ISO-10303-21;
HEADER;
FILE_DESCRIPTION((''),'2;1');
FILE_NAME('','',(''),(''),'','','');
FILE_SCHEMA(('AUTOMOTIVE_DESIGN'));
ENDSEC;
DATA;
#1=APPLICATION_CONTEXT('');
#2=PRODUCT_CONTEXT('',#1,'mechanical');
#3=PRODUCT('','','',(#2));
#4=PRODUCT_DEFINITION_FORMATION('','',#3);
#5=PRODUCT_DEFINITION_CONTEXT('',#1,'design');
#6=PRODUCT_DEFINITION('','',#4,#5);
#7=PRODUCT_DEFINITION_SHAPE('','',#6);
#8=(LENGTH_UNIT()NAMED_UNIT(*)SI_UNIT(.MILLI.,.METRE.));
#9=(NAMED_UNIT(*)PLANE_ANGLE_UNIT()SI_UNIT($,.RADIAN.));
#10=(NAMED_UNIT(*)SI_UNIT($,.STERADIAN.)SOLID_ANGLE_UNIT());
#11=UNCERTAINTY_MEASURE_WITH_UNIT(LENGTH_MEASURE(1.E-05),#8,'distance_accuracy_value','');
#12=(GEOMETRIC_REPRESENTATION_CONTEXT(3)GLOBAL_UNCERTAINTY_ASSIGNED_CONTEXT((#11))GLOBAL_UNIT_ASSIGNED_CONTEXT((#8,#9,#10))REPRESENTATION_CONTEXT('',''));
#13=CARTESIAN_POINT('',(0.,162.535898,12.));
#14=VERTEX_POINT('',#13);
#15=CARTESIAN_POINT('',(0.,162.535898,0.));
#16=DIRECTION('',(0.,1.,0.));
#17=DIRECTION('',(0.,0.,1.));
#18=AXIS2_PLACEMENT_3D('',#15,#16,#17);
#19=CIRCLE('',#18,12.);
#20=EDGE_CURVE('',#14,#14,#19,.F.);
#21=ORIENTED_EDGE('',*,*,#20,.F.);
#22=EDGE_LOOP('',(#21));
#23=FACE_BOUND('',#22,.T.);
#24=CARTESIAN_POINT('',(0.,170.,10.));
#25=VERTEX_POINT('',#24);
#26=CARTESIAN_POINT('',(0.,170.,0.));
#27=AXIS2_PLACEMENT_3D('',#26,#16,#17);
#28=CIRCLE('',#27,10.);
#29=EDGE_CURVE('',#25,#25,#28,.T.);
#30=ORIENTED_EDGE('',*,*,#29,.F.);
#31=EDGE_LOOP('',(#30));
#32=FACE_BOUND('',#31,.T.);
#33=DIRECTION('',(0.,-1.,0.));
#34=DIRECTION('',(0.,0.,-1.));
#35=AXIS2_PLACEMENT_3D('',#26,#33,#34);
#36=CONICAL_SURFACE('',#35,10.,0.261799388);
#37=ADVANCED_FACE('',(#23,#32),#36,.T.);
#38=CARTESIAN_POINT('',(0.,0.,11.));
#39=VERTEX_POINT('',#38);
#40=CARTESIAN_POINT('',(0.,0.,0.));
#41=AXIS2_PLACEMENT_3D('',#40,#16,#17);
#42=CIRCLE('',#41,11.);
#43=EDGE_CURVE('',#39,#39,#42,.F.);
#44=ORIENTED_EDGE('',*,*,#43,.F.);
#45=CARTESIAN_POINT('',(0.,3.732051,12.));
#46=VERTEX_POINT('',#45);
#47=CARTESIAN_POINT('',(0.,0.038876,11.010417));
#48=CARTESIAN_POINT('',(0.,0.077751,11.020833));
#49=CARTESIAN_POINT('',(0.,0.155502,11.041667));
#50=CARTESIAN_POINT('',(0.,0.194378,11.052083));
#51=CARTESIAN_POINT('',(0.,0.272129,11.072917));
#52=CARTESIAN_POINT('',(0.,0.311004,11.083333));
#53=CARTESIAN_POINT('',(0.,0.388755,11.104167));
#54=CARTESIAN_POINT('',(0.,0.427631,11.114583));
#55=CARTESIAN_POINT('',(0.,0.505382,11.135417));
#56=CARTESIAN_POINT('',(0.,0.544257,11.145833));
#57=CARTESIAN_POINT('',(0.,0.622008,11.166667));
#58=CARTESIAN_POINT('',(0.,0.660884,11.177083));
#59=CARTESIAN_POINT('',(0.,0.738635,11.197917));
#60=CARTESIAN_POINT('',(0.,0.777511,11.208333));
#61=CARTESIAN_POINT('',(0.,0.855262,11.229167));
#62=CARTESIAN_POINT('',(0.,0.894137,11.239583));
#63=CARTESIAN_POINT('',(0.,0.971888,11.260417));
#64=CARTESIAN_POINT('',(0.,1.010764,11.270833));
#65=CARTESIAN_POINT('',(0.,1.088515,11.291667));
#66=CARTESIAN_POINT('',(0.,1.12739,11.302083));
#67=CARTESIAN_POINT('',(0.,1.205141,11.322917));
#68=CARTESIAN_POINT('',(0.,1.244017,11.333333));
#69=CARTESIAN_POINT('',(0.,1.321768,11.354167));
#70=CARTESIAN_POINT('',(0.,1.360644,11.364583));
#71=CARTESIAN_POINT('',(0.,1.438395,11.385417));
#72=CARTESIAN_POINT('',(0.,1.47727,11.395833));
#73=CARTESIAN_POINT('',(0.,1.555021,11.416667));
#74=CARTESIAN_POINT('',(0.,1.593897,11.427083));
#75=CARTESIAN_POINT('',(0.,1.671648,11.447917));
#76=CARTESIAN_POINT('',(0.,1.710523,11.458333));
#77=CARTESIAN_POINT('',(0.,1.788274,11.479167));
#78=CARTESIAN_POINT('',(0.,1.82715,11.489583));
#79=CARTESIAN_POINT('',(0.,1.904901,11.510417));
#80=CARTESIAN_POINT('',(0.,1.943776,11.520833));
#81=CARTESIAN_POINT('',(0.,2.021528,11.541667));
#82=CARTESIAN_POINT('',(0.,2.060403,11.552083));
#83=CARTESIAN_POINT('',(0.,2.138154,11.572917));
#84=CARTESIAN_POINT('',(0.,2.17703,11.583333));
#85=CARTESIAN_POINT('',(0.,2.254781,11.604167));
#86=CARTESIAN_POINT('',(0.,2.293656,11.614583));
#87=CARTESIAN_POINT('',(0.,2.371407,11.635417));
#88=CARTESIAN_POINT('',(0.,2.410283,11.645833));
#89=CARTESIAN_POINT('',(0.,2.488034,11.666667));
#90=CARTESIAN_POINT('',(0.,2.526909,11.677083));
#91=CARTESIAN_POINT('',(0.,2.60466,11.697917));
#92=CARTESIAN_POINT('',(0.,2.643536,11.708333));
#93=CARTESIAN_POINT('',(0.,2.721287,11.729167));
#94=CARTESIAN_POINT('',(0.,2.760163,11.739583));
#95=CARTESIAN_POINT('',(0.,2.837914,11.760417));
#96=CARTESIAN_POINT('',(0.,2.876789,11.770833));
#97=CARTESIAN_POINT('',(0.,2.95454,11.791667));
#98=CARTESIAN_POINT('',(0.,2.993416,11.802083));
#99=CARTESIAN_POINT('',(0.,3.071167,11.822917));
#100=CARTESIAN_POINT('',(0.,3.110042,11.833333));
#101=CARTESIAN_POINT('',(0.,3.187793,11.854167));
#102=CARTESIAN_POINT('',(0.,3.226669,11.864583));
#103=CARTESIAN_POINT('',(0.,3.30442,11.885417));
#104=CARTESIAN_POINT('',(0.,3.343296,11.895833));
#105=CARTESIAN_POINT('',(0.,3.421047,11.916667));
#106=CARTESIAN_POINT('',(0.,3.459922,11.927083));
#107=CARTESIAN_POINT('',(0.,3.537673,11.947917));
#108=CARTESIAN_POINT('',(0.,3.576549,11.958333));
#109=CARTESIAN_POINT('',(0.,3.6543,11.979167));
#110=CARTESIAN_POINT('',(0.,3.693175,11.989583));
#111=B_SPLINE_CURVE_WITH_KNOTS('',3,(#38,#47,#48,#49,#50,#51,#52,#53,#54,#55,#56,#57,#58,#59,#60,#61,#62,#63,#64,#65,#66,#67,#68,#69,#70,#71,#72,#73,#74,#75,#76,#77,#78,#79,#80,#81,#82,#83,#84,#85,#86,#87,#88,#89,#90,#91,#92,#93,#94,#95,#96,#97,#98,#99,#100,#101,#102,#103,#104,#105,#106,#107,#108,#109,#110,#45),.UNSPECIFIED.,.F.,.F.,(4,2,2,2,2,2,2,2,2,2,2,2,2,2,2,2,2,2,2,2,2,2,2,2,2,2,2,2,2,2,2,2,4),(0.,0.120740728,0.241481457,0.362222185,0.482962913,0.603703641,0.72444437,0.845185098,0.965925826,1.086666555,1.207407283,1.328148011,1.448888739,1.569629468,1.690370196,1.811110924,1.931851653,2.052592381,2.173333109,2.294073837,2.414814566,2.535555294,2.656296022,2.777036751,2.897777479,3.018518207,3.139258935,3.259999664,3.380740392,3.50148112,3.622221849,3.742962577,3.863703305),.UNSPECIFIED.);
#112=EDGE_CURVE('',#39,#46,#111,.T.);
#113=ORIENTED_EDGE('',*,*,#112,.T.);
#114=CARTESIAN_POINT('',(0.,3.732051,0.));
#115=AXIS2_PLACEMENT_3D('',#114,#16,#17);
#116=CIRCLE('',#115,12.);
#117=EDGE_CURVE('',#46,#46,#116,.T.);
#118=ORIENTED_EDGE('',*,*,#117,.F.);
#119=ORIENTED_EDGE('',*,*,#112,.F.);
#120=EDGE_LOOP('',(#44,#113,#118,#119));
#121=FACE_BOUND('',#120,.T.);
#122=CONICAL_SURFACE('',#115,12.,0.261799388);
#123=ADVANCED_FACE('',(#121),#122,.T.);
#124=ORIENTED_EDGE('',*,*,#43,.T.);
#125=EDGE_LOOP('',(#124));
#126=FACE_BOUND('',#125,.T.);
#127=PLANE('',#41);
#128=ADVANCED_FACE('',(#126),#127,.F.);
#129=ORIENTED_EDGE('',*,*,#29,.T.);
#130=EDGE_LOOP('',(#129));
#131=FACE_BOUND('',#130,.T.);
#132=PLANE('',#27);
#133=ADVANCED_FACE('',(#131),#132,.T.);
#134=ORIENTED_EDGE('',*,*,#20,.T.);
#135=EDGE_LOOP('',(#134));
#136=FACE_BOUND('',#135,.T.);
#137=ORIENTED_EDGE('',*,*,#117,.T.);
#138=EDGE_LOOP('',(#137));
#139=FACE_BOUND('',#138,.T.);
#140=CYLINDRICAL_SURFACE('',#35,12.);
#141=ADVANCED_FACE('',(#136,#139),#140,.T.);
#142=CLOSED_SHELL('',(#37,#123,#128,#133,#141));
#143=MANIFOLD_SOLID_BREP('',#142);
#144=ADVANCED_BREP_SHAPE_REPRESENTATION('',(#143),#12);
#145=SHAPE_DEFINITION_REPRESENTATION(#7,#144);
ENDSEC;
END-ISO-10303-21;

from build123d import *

# Parameters (mm, degrees)
SKETCH1_R           = 12
BOSS_EXTRUDE1_DEPTH = 170
CHAMFER1_SIZE       = 2
CHAMFER1_SIZE2      = 7.464101615
CHAMFER2_SIZE       = 1
CHAMFER2_SIZE2      = 3.732050808


with BuildPart() as part:
    # Sketch1 → Boss-Extrude1 (new body)
    with BuildSketch(Plane(origin=(0, 0, 0), x_dir=(1, 0, 0), z_dir=(0, 1, 0))):
        with Locations(Location((0, 0, 0), (0, 0, 270))):
            Circle(SKETCH1_R)
    extrude(amount=BOSS_EXTRUDE1_DEPTH)

    # Chamfer1
    chamfer1_edges = [part.edges().sort_by_distance(p)[0] for p in [
        (0, 170, -12),
    ]]
    chamfer1_side = [part.faces().sort_by_distance(p)[0] for p in [
        (0, 170, 0),
    ]]
    chamfer(chamfer1_edges, length=CHAMFER1_SIZE, length2=CHAMFER1_SIZE2, reference=chamfer1_side[0])

    # Chamfer2
    chamfer2_edges = [part.edges().sort_by_distance(p)[0] for p in [
        (0, 0, -12),
    ]]
    chamfer2_side = [part.faces().sort_by_distance(p)[0] for p in [
        (0, 0, 0),
    ]]
    chamfer(chamfer2_edges, length=CHAMFER2_SIZE, length2=CHAMFER2_SIZE2, reference=chamfer2_side[0])


solid = part.part
